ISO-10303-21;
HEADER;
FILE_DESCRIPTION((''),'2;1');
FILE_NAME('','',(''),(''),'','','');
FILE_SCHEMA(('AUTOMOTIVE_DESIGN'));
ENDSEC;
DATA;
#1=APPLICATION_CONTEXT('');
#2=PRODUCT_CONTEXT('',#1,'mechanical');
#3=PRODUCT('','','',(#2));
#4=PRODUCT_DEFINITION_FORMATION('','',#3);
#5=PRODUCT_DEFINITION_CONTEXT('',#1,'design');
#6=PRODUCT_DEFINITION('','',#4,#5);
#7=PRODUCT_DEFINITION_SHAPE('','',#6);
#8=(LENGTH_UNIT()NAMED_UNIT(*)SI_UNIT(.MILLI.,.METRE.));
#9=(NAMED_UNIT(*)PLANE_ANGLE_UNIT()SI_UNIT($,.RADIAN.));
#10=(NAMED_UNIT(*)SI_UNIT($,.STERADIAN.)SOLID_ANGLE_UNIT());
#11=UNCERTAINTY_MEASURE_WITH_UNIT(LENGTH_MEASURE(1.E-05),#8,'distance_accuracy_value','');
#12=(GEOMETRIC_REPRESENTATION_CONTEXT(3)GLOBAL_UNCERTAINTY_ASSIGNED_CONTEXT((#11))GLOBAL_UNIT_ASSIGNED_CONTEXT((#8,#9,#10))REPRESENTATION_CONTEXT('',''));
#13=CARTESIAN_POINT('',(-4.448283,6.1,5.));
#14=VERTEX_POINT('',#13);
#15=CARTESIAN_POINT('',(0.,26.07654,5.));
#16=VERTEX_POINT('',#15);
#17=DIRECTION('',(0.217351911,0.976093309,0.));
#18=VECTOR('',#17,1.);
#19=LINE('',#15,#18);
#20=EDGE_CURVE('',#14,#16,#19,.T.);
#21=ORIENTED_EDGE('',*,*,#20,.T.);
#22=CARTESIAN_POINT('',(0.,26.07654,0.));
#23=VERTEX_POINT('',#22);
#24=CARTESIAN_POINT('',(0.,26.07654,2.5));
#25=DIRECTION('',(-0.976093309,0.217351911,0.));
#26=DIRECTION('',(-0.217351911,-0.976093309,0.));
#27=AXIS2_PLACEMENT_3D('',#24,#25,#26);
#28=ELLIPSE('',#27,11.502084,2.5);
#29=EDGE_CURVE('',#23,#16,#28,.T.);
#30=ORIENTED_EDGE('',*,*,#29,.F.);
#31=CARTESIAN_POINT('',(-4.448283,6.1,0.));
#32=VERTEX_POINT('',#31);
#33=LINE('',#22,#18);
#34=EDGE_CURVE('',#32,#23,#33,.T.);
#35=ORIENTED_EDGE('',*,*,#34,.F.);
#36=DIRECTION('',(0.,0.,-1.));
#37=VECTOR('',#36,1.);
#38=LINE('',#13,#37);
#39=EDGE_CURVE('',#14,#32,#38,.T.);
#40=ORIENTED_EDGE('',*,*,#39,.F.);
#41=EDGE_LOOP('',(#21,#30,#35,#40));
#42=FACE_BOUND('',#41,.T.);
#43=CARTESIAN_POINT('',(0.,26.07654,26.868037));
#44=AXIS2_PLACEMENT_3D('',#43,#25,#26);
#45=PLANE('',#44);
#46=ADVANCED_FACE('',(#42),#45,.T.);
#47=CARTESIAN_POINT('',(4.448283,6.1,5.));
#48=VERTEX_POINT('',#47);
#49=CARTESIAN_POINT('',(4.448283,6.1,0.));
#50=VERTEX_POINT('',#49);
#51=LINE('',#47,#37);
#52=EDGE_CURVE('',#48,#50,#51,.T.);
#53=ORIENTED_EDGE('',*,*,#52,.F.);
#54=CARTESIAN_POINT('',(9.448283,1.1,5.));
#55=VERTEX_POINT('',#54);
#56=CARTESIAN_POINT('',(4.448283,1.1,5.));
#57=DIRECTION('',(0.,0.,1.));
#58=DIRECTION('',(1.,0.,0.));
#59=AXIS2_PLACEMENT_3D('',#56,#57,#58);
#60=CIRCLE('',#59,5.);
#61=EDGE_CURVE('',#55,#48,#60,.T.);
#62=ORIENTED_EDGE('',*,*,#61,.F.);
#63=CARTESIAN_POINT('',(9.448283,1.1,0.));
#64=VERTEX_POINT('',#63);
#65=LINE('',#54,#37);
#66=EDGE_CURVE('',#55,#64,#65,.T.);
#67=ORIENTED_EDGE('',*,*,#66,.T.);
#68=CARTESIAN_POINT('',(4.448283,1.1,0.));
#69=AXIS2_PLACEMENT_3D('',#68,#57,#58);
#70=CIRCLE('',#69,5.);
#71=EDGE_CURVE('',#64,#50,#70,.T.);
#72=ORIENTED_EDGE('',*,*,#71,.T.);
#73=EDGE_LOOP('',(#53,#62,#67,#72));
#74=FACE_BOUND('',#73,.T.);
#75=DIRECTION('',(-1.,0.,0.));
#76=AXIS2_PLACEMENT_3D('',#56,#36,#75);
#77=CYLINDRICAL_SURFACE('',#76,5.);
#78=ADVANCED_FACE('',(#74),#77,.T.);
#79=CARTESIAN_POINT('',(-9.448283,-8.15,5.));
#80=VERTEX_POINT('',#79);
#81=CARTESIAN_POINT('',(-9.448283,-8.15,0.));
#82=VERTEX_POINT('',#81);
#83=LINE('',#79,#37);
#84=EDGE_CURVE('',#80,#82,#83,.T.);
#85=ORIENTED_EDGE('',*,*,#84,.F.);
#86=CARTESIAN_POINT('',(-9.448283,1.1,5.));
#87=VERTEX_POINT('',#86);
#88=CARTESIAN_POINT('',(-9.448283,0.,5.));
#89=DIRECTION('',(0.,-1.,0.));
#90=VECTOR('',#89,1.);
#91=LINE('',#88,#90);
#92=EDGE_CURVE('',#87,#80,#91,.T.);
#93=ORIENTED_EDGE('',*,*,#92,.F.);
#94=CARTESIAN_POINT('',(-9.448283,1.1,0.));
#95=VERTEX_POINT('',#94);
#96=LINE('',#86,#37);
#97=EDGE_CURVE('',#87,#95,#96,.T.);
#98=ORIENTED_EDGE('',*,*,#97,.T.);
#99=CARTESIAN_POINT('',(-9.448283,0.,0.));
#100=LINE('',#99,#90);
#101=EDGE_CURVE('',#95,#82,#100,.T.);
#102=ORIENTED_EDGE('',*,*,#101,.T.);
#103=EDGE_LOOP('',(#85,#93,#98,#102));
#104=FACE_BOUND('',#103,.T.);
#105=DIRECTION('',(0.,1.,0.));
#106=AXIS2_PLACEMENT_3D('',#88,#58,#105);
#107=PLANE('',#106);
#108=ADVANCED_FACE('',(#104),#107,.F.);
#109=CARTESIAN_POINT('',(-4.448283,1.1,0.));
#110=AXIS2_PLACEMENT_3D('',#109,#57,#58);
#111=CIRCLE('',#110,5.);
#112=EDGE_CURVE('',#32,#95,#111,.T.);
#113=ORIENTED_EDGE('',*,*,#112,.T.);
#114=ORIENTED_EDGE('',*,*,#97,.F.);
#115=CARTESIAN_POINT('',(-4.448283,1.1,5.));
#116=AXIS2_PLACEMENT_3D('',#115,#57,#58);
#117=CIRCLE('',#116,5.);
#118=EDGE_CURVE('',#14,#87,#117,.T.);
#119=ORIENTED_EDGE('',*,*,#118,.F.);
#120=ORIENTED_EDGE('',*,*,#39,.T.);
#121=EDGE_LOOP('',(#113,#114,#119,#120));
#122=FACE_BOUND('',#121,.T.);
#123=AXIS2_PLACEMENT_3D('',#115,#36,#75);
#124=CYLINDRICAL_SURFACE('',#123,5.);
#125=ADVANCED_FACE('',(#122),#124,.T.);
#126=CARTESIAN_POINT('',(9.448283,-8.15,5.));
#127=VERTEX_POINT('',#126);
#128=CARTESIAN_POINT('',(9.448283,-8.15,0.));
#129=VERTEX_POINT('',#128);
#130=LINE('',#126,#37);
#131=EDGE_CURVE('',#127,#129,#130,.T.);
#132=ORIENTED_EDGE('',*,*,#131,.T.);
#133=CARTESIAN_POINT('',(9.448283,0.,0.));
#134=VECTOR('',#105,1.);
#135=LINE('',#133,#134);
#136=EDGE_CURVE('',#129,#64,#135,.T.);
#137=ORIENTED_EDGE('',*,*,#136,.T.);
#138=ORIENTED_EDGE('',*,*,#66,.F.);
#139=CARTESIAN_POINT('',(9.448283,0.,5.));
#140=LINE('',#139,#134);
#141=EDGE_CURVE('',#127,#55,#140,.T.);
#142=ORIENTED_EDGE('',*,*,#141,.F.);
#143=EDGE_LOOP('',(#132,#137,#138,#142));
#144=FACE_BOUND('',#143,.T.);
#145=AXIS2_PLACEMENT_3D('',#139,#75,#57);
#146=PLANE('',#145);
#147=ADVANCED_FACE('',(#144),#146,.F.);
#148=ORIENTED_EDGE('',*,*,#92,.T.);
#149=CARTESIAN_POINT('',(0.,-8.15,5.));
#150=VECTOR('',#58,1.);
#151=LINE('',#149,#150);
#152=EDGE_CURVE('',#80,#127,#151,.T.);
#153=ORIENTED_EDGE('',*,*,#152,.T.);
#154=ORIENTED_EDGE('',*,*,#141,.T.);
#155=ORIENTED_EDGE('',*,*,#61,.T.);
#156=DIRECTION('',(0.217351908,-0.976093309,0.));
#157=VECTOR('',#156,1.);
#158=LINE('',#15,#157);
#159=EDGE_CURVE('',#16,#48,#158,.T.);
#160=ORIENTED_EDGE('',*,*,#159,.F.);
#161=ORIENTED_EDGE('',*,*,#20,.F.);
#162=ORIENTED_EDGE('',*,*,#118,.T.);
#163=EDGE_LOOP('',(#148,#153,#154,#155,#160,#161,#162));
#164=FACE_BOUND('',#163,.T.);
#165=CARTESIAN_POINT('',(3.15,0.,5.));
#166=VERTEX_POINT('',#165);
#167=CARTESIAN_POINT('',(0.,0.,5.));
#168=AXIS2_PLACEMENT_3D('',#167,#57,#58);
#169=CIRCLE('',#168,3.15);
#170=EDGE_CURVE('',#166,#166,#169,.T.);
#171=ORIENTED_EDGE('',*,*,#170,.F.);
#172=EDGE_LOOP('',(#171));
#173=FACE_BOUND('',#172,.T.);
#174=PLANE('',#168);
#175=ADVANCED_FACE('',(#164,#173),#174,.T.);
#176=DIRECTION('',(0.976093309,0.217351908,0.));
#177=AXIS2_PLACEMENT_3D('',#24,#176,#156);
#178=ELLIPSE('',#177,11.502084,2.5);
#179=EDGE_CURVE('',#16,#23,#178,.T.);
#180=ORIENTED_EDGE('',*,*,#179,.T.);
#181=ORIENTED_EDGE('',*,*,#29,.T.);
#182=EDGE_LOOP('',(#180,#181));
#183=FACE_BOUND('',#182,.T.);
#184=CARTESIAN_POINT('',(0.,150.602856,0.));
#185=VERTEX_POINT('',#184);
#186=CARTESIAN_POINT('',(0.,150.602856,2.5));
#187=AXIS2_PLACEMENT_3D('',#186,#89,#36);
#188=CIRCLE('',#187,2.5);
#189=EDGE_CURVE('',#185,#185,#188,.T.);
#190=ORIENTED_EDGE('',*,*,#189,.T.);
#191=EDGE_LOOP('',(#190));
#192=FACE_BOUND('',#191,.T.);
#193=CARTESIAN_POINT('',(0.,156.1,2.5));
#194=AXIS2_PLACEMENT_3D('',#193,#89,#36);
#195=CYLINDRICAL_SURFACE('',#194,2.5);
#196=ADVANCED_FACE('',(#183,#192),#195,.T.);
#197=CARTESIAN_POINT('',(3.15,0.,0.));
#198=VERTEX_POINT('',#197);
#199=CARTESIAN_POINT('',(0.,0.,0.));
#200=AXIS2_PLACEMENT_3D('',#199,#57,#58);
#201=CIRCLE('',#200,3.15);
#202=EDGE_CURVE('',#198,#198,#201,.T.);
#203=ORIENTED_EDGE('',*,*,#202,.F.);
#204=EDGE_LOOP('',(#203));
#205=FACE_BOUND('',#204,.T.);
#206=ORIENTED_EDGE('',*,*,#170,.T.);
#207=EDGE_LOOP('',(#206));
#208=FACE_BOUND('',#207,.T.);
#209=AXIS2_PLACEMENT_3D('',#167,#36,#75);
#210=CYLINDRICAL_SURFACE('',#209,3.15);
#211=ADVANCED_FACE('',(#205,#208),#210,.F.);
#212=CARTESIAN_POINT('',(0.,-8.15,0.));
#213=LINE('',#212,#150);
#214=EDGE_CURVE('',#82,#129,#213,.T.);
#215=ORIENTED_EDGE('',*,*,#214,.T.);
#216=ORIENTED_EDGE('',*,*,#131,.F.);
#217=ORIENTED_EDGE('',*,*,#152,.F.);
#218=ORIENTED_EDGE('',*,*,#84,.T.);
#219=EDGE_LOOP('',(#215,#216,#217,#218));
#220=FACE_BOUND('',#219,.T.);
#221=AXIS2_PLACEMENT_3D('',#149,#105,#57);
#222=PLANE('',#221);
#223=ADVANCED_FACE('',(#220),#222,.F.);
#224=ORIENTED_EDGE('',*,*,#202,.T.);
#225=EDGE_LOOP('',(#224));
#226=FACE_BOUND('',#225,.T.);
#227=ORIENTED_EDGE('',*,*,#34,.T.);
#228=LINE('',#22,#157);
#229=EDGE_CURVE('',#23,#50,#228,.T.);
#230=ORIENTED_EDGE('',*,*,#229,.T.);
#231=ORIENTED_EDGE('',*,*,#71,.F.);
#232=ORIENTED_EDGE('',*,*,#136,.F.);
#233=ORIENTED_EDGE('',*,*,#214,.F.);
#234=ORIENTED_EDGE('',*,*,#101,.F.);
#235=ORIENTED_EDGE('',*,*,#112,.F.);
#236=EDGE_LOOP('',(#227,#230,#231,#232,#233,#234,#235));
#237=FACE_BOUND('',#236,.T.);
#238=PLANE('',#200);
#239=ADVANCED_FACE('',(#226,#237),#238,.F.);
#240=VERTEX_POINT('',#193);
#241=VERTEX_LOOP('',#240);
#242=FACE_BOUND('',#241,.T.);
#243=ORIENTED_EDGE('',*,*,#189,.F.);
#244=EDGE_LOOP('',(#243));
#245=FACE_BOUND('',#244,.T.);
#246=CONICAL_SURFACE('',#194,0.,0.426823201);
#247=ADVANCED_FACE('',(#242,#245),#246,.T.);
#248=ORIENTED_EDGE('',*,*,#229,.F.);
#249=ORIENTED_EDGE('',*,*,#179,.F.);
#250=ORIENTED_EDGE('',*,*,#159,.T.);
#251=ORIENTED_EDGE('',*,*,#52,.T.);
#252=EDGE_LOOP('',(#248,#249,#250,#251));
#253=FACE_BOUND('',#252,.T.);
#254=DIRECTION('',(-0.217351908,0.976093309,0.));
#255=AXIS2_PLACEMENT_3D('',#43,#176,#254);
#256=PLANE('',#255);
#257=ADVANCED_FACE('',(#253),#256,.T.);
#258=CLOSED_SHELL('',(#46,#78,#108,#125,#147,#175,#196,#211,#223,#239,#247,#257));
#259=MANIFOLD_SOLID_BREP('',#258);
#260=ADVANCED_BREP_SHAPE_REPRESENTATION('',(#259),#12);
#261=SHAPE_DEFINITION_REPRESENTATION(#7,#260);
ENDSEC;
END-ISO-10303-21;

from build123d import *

# Parameters (mm, degrees)
SKETCH3_R           = 3.15
BOSS_EXTRUDE1_DEPTH = 5
SKETCH4_R           = 2.5
BOSS_EXTRUDE2_DEPTH = 150
BOSS_EXTRUDE3_DEPTH = 5


with BuildPart() as part:
    # Sketch3 → Boss-Extrude1 (new body)
    with BuildSketch(Plane.XY):
        with BuildLine():
            ThreePointArc((9.448282799, 1.1), (7.983816705, 4.635533906), (4.448282799, 6.1))
            Line((4.448282799, 6.1), (-4.448282849, 6.1))
            ThreePointArc((-4.448282849, 6.1), (-7.983816755, 4.635533906), (-9.448282849, 1.1))
            Line((-9.448282849, 1.1), (-9.448282849, -8.15))
            Line((-9.448282849, -8.15), (9.448282799, -8.15))
            Line((9.448282799, -8.15), (9.448282799, 1.1))
        make_face()
        Circle(SKETCH3_R, mode=Mode.SUBTRACT)
    extrude(amount=BOSS_EXTRUDE1_DEPTH)

    # Sketch4 → Boss-Extrude2 (add)
    with BuildSketch(Plane(origin=(0, 6.1, 0), x_dir=(1, 0, 0), z_dir=(0, 1, 0))):
        with Locations(Location((0, -2.5, 0), (0, 0, 270))):
            Circle(SKETCH4_R)
    extrude(amount=BOSS_EXTRUDE2_DEPTH)

    # Sketch6 → Cut-Revolve2 (revolve, cut)
    with BuildSketch(Plane(origin=(0, 0, 0), x_dir=(0, 0, -1), z_dir=(1, 0, 0))):
        Polygon((-2.5, 157.475466352), (-2.5, 156.1), (0, 150.602856099), (2.064701239, 157.475466352), align=None)
    revolve(axis=Axis((0, 156.1, 2.5), (0, 1, 0)), mode=Mode.SUBTRACT)

    # Sketch7 → Boss-Extrude3 (add)
    with BuildSketch(Plane(origin=(0, 0, 0), x_dir=(-1, 0, 0), z_dir=(0, 0, -1))):
        Polygon((0, 26.076539937), (4.448282849, 6.1), (-4.448282799, 6.1), align=None)
    extrude(amount=-BOSS_EXTRUDE3_DEPTH)


solid = part.part
